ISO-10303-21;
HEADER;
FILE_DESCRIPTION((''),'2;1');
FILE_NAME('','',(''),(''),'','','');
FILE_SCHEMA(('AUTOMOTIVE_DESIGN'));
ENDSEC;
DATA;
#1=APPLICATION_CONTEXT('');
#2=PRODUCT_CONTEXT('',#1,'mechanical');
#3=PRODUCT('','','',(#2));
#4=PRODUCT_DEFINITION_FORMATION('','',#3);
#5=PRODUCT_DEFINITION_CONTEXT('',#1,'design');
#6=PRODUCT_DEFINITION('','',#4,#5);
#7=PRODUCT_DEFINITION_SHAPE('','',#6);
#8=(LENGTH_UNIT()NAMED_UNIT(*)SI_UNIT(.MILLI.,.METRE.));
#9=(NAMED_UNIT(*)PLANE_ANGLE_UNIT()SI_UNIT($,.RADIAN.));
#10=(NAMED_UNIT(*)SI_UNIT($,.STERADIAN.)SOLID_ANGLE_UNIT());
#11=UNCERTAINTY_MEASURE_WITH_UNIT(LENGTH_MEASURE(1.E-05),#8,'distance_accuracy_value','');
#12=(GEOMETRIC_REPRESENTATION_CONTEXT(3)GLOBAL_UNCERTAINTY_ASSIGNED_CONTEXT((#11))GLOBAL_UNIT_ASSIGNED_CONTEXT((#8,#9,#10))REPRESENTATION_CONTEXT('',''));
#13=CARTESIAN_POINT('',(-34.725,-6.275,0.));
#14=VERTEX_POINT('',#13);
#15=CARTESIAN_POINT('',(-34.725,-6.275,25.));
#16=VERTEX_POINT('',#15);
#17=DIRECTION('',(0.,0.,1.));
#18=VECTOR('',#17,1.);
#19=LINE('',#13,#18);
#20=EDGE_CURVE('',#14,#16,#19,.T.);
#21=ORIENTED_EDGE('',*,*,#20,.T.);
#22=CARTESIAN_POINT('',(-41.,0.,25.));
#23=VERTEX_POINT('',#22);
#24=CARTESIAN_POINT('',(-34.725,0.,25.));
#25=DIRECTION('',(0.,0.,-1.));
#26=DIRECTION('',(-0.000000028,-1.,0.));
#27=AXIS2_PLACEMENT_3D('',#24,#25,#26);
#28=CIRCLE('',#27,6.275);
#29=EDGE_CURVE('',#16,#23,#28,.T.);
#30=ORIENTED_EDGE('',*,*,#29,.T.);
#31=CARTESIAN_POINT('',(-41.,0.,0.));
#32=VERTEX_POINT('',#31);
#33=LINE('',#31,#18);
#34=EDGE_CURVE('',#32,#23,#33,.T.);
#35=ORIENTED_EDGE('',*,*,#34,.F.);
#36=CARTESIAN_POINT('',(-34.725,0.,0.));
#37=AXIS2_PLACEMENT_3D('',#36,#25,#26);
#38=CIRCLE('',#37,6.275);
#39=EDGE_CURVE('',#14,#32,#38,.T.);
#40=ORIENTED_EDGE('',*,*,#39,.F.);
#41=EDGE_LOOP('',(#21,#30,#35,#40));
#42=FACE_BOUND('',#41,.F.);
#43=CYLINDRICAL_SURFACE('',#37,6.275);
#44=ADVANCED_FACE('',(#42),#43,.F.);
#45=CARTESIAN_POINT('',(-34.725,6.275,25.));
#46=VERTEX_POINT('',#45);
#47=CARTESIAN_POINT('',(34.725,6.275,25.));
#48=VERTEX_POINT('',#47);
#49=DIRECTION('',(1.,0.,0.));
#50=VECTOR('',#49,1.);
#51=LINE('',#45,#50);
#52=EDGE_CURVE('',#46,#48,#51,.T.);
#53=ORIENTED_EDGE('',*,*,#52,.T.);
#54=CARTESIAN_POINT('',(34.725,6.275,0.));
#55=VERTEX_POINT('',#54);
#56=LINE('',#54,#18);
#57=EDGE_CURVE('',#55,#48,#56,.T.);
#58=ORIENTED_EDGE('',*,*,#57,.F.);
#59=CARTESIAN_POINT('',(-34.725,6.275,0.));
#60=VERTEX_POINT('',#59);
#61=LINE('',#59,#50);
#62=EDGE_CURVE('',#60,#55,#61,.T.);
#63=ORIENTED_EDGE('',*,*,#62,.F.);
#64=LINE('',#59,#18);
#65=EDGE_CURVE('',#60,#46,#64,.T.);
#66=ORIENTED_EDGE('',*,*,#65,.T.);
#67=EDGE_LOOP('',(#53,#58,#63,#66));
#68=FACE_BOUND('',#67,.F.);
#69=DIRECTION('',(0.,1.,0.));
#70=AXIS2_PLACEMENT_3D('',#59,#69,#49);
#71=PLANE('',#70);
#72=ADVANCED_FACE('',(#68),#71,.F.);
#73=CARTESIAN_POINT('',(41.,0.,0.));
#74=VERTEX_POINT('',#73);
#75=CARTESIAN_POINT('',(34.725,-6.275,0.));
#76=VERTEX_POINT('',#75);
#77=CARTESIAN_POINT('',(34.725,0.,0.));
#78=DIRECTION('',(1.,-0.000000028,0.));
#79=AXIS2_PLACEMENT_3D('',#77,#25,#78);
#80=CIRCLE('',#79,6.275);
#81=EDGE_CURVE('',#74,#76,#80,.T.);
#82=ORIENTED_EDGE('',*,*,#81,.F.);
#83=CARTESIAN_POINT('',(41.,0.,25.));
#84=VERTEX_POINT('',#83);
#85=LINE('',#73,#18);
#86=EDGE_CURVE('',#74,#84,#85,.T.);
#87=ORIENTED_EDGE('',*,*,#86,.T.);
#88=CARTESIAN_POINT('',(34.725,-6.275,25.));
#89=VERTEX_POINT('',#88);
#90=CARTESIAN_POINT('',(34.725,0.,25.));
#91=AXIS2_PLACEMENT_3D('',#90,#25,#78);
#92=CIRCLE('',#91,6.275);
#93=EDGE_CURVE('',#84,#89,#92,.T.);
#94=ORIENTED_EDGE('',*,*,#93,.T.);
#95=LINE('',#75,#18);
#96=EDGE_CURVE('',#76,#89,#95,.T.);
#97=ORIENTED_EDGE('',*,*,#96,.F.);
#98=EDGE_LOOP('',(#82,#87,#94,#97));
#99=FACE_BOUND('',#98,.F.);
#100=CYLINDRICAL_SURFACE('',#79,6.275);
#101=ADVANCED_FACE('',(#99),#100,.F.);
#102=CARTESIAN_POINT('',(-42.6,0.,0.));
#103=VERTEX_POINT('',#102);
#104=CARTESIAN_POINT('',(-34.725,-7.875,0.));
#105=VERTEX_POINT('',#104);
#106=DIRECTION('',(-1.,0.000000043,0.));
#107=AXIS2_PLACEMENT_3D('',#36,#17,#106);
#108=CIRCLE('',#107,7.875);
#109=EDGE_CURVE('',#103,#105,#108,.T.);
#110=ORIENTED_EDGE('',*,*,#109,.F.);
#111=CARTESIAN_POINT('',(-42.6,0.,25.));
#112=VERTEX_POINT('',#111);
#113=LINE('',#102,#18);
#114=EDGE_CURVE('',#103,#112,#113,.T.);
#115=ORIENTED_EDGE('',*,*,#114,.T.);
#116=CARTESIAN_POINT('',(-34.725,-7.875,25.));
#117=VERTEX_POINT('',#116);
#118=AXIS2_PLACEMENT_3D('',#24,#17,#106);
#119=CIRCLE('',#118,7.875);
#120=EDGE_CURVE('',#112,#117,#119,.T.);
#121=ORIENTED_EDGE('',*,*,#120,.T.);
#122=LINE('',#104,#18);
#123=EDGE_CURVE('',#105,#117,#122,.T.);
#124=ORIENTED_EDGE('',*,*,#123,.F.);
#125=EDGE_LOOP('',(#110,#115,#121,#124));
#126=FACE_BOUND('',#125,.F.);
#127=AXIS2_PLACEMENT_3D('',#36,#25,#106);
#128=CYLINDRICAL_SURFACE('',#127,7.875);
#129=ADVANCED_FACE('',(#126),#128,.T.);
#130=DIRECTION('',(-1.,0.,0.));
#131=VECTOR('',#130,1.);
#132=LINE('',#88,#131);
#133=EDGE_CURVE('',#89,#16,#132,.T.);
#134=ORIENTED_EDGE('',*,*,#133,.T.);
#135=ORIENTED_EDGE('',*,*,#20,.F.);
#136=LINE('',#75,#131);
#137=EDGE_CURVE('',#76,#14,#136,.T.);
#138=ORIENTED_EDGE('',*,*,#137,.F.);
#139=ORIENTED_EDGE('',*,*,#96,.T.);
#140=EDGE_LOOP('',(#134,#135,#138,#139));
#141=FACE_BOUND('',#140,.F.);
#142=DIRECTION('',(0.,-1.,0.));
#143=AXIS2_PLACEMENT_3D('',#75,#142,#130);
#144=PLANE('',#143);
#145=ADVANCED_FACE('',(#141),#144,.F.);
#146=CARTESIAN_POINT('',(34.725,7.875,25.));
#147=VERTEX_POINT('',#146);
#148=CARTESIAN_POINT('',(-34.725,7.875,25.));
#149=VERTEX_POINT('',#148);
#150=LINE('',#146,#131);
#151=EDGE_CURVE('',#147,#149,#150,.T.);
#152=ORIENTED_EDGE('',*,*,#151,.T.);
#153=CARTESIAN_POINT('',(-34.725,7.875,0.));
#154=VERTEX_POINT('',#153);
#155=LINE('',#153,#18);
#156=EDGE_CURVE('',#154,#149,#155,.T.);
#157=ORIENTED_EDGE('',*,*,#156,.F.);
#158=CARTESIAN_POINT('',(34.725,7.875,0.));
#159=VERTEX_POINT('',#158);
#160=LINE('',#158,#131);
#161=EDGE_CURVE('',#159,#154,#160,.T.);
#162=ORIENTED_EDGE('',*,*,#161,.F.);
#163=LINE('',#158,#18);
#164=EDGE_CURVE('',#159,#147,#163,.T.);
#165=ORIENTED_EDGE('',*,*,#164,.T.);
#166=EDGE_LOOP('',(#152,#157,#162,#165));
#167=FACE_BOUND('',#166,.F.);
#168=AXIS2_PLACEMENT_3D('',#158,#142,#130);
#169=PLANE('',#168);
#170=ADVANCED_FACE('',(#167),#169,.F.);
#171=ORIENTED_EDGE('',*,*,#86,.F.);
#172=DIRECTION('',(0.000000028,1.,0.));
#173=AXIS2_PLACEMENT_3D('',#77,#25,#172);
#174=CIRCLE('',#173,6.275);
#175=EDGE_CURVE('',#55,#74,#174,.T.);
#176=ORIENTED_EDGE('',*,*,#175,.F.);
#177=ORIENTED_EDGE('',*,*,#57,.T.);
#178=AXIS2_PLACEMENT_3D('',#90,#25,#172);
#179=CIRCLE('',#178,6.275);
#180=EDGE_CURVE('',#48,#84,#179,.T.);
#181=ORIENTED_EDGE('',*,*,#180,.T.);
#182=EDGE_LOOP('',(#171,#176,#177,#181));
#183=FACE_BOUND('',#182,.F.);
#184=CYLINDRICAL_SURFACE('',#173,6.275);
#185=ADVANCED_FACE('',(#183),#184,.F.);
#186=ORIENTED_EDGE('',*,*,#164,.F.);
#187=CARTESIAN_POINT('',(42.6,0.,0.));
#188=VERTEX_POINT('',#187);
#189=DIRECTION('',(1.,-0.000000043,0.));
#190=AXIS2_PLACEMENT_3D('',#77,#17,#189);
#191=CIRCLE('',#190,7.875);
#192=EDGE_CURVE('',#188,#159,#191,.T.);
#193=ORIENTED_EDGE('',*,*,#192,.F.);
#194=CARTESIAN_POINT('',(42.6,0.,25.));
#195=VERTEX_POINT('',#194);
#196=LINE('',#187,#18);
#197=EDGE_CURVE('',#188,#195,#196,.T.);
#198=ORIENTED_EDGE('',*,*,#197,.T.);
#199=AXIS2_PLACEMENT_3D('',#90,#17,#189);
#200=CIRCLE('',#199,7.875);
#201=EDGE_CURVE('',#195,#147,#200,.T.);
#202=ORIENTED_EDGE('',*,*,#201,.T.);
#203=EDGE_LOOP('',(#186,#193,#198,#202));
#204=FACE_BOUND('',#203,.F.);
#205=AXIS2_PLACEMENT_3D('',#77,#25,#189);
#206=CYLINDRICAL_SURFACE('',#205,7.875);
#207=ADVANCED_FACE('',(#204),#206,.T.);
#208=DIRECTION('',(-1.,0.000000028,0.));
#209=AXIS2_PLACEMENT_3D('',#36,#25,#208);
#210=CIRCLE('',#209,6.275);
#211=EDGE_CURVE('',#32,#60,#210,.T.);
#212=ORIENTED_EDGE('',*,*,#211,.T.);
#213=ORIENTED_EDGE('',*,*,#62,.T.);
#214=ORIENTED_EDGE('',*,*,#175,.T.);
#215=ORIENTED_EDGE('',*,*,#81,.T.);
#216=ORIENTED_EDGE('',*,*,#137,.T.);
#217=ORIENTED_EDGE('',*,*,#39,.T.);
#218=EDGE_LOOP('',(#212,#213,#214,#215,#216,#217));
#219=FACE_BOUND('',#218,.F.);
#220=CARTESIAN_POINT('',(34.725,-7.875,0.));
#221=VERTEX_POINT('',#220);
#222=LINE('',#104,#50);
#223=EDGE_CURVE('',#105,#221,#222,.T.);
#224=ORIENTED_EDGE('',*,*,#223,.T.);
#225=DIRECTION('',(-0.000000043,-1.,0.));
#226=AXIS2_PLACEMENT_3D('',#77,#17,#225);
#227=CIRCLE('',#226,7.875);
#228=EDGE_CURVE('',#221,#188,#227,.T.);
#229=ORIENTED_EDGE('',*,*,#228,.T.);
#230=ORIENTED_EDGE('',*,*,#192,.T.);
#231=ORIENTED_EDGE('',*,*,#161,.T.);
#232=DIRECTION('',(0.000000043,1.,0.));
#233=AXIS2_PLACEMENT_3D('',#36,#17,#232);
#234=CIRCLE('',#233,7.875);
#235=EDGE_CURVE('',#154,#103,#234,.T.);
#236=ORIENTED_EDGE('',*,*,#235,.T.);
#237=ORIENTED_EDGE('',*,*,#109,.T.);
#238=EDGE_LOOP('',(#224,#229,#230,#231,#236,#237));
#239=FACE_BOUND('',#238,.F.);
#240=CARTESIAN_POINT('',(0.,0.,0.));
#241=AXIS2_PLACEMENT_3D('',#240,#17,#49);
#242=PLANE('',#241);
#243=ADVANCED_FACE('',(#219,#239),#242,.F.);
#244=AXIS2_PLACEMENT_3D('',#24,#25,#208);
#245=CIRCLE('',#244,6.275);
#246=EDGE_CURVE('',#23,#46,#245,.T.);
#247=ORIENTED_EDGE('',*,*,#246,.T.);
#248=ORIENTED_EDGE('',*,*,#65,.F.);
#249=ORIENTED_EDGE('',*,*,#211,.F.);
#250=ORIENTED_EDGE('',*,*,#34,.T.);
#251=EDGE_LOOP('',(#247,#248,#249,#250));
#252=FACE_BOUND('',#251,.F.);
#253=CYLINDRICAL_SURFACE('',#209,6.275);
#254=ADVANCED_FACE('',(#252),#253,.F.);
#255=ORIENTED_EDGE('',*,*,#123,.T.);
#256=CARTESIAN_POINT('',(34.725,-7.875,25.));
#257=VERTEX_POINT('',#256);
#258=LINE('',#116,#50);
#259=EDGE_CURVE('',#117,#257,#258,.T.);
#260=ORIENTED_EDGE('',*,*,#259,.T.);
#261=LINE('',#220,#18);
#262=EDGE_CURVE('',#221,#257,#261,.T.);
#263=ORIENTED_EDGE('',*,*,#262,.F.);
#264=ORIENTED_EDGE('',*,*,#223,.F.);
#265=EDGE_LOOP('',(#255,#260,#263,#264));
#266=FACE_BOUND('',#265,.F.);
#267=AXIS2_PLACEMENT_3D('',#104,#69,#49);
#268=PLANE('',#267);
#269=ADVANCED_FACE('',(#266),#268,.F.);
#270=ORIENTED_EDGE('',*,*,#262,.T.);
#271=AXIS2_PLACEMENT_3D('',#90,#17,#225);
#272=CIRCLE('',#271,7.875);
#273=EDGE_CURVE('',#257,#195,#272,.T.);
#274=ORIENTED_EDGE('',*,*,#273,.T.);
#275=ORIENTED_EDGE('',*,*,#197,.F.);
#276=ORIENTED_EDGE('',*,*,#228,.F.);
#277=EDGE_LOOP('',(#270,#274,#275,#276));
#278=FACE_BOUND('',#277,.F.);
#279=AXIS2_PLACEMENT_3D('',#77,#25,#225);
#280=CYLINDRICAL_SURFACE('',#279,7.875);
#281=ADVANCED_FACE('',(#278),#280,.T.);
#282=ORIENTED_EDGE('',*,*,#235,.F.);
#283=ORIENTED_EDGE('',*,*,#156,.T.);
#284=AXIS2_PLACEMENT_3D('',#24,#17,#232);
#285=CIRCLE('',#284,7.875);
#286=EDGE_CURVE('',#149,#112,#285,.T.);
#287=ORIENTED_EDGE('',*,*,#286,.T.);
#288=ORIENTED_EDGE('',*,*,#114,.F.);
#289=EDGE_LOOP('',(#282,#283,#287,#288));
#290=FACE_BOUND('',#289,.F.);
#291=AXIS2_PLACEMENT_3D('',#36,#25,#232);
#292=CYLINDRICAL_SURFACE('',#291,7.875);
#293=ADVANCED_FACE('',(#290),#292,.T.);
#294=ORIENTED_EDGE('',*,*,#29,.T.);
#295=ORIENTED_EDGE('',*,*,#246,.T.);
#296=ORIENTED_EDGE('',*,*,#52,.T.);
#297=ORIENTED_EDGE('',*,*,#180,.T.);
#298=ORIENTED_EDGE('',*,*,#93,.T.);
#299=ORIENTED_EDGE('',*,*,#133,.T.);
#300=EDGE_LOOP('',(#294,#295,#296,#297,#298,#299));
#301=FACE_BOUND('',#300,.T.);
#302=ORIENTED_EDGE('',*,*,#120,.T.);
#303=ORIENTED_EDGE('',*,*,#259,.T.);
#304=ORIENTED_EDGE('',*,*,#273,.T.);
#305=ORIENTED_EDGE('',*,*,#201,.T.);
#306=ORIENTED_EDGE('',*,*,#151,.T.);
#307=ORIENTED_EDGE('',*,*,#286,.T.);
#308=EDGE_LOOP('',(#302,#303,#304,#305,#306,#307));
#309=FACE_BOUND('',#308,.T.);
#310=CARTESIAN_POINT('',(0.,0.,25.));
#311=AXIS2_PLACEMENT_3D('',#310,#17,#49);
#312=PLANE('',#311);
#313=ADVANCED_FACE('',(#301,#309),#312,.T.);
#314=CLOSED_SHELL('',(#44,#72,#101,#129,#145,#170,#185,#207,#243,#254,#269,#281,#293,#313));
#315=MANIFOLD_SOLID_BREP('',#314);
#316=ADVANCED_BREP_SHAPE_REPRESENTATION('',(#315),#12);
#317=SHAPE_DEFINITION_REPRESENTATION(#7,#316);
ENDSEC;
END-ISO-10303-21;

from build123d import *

# Parameters (mm, degrees)
F1_DEPTH = 25


with BuildPart() as f1:
    # F0 (on Top) → F1 (new body)
    with BuildSketch(Plane.XY):
        with BuildLine():
            Line((-34.725, -7.875), (34.725, -7.875))
            ThreePointArc((34.725, -7.875), (40.293466, -5.568466), (42.6, 0))
            ThreePointArc((42.6, 0), (40.293466, 5.568466), (34.725, 7.875))
            Line((34.725, 7.875), (-34.725, 7.875))
            ThreePointArc((-34.725, 7.875), (-40.293466, 5.568466), (-42.6, 0))
            ThreePointArc((-42.6, 0), (-40.293466, -5.568466), (-34.725, -7.875))
        make_face()
        with BuildLine():
            Line((-34.725, 6.275), (34.725, 6.275))
            ThreePointArc((34.725, 6.275), (39.162095, 4.437095), (41, 0))
            ThreePointArc((41, 0), (39.162095, -4.437095), (34.725, -6.275))
            Line((34.725, -6.275), (-34.725, -6.275))
            ThreePointArc((-34.725, -6.275), (-39.162095, -4.437095), (-41, 0))
            ThreePointArc((-41, 0), (-39.162095, 4.437095), (-34.725, 6.275))
        make_face(mode=Mode.SUBTRACT)
    extrude(amount=F1_DEPTH)


solid = f1.part
